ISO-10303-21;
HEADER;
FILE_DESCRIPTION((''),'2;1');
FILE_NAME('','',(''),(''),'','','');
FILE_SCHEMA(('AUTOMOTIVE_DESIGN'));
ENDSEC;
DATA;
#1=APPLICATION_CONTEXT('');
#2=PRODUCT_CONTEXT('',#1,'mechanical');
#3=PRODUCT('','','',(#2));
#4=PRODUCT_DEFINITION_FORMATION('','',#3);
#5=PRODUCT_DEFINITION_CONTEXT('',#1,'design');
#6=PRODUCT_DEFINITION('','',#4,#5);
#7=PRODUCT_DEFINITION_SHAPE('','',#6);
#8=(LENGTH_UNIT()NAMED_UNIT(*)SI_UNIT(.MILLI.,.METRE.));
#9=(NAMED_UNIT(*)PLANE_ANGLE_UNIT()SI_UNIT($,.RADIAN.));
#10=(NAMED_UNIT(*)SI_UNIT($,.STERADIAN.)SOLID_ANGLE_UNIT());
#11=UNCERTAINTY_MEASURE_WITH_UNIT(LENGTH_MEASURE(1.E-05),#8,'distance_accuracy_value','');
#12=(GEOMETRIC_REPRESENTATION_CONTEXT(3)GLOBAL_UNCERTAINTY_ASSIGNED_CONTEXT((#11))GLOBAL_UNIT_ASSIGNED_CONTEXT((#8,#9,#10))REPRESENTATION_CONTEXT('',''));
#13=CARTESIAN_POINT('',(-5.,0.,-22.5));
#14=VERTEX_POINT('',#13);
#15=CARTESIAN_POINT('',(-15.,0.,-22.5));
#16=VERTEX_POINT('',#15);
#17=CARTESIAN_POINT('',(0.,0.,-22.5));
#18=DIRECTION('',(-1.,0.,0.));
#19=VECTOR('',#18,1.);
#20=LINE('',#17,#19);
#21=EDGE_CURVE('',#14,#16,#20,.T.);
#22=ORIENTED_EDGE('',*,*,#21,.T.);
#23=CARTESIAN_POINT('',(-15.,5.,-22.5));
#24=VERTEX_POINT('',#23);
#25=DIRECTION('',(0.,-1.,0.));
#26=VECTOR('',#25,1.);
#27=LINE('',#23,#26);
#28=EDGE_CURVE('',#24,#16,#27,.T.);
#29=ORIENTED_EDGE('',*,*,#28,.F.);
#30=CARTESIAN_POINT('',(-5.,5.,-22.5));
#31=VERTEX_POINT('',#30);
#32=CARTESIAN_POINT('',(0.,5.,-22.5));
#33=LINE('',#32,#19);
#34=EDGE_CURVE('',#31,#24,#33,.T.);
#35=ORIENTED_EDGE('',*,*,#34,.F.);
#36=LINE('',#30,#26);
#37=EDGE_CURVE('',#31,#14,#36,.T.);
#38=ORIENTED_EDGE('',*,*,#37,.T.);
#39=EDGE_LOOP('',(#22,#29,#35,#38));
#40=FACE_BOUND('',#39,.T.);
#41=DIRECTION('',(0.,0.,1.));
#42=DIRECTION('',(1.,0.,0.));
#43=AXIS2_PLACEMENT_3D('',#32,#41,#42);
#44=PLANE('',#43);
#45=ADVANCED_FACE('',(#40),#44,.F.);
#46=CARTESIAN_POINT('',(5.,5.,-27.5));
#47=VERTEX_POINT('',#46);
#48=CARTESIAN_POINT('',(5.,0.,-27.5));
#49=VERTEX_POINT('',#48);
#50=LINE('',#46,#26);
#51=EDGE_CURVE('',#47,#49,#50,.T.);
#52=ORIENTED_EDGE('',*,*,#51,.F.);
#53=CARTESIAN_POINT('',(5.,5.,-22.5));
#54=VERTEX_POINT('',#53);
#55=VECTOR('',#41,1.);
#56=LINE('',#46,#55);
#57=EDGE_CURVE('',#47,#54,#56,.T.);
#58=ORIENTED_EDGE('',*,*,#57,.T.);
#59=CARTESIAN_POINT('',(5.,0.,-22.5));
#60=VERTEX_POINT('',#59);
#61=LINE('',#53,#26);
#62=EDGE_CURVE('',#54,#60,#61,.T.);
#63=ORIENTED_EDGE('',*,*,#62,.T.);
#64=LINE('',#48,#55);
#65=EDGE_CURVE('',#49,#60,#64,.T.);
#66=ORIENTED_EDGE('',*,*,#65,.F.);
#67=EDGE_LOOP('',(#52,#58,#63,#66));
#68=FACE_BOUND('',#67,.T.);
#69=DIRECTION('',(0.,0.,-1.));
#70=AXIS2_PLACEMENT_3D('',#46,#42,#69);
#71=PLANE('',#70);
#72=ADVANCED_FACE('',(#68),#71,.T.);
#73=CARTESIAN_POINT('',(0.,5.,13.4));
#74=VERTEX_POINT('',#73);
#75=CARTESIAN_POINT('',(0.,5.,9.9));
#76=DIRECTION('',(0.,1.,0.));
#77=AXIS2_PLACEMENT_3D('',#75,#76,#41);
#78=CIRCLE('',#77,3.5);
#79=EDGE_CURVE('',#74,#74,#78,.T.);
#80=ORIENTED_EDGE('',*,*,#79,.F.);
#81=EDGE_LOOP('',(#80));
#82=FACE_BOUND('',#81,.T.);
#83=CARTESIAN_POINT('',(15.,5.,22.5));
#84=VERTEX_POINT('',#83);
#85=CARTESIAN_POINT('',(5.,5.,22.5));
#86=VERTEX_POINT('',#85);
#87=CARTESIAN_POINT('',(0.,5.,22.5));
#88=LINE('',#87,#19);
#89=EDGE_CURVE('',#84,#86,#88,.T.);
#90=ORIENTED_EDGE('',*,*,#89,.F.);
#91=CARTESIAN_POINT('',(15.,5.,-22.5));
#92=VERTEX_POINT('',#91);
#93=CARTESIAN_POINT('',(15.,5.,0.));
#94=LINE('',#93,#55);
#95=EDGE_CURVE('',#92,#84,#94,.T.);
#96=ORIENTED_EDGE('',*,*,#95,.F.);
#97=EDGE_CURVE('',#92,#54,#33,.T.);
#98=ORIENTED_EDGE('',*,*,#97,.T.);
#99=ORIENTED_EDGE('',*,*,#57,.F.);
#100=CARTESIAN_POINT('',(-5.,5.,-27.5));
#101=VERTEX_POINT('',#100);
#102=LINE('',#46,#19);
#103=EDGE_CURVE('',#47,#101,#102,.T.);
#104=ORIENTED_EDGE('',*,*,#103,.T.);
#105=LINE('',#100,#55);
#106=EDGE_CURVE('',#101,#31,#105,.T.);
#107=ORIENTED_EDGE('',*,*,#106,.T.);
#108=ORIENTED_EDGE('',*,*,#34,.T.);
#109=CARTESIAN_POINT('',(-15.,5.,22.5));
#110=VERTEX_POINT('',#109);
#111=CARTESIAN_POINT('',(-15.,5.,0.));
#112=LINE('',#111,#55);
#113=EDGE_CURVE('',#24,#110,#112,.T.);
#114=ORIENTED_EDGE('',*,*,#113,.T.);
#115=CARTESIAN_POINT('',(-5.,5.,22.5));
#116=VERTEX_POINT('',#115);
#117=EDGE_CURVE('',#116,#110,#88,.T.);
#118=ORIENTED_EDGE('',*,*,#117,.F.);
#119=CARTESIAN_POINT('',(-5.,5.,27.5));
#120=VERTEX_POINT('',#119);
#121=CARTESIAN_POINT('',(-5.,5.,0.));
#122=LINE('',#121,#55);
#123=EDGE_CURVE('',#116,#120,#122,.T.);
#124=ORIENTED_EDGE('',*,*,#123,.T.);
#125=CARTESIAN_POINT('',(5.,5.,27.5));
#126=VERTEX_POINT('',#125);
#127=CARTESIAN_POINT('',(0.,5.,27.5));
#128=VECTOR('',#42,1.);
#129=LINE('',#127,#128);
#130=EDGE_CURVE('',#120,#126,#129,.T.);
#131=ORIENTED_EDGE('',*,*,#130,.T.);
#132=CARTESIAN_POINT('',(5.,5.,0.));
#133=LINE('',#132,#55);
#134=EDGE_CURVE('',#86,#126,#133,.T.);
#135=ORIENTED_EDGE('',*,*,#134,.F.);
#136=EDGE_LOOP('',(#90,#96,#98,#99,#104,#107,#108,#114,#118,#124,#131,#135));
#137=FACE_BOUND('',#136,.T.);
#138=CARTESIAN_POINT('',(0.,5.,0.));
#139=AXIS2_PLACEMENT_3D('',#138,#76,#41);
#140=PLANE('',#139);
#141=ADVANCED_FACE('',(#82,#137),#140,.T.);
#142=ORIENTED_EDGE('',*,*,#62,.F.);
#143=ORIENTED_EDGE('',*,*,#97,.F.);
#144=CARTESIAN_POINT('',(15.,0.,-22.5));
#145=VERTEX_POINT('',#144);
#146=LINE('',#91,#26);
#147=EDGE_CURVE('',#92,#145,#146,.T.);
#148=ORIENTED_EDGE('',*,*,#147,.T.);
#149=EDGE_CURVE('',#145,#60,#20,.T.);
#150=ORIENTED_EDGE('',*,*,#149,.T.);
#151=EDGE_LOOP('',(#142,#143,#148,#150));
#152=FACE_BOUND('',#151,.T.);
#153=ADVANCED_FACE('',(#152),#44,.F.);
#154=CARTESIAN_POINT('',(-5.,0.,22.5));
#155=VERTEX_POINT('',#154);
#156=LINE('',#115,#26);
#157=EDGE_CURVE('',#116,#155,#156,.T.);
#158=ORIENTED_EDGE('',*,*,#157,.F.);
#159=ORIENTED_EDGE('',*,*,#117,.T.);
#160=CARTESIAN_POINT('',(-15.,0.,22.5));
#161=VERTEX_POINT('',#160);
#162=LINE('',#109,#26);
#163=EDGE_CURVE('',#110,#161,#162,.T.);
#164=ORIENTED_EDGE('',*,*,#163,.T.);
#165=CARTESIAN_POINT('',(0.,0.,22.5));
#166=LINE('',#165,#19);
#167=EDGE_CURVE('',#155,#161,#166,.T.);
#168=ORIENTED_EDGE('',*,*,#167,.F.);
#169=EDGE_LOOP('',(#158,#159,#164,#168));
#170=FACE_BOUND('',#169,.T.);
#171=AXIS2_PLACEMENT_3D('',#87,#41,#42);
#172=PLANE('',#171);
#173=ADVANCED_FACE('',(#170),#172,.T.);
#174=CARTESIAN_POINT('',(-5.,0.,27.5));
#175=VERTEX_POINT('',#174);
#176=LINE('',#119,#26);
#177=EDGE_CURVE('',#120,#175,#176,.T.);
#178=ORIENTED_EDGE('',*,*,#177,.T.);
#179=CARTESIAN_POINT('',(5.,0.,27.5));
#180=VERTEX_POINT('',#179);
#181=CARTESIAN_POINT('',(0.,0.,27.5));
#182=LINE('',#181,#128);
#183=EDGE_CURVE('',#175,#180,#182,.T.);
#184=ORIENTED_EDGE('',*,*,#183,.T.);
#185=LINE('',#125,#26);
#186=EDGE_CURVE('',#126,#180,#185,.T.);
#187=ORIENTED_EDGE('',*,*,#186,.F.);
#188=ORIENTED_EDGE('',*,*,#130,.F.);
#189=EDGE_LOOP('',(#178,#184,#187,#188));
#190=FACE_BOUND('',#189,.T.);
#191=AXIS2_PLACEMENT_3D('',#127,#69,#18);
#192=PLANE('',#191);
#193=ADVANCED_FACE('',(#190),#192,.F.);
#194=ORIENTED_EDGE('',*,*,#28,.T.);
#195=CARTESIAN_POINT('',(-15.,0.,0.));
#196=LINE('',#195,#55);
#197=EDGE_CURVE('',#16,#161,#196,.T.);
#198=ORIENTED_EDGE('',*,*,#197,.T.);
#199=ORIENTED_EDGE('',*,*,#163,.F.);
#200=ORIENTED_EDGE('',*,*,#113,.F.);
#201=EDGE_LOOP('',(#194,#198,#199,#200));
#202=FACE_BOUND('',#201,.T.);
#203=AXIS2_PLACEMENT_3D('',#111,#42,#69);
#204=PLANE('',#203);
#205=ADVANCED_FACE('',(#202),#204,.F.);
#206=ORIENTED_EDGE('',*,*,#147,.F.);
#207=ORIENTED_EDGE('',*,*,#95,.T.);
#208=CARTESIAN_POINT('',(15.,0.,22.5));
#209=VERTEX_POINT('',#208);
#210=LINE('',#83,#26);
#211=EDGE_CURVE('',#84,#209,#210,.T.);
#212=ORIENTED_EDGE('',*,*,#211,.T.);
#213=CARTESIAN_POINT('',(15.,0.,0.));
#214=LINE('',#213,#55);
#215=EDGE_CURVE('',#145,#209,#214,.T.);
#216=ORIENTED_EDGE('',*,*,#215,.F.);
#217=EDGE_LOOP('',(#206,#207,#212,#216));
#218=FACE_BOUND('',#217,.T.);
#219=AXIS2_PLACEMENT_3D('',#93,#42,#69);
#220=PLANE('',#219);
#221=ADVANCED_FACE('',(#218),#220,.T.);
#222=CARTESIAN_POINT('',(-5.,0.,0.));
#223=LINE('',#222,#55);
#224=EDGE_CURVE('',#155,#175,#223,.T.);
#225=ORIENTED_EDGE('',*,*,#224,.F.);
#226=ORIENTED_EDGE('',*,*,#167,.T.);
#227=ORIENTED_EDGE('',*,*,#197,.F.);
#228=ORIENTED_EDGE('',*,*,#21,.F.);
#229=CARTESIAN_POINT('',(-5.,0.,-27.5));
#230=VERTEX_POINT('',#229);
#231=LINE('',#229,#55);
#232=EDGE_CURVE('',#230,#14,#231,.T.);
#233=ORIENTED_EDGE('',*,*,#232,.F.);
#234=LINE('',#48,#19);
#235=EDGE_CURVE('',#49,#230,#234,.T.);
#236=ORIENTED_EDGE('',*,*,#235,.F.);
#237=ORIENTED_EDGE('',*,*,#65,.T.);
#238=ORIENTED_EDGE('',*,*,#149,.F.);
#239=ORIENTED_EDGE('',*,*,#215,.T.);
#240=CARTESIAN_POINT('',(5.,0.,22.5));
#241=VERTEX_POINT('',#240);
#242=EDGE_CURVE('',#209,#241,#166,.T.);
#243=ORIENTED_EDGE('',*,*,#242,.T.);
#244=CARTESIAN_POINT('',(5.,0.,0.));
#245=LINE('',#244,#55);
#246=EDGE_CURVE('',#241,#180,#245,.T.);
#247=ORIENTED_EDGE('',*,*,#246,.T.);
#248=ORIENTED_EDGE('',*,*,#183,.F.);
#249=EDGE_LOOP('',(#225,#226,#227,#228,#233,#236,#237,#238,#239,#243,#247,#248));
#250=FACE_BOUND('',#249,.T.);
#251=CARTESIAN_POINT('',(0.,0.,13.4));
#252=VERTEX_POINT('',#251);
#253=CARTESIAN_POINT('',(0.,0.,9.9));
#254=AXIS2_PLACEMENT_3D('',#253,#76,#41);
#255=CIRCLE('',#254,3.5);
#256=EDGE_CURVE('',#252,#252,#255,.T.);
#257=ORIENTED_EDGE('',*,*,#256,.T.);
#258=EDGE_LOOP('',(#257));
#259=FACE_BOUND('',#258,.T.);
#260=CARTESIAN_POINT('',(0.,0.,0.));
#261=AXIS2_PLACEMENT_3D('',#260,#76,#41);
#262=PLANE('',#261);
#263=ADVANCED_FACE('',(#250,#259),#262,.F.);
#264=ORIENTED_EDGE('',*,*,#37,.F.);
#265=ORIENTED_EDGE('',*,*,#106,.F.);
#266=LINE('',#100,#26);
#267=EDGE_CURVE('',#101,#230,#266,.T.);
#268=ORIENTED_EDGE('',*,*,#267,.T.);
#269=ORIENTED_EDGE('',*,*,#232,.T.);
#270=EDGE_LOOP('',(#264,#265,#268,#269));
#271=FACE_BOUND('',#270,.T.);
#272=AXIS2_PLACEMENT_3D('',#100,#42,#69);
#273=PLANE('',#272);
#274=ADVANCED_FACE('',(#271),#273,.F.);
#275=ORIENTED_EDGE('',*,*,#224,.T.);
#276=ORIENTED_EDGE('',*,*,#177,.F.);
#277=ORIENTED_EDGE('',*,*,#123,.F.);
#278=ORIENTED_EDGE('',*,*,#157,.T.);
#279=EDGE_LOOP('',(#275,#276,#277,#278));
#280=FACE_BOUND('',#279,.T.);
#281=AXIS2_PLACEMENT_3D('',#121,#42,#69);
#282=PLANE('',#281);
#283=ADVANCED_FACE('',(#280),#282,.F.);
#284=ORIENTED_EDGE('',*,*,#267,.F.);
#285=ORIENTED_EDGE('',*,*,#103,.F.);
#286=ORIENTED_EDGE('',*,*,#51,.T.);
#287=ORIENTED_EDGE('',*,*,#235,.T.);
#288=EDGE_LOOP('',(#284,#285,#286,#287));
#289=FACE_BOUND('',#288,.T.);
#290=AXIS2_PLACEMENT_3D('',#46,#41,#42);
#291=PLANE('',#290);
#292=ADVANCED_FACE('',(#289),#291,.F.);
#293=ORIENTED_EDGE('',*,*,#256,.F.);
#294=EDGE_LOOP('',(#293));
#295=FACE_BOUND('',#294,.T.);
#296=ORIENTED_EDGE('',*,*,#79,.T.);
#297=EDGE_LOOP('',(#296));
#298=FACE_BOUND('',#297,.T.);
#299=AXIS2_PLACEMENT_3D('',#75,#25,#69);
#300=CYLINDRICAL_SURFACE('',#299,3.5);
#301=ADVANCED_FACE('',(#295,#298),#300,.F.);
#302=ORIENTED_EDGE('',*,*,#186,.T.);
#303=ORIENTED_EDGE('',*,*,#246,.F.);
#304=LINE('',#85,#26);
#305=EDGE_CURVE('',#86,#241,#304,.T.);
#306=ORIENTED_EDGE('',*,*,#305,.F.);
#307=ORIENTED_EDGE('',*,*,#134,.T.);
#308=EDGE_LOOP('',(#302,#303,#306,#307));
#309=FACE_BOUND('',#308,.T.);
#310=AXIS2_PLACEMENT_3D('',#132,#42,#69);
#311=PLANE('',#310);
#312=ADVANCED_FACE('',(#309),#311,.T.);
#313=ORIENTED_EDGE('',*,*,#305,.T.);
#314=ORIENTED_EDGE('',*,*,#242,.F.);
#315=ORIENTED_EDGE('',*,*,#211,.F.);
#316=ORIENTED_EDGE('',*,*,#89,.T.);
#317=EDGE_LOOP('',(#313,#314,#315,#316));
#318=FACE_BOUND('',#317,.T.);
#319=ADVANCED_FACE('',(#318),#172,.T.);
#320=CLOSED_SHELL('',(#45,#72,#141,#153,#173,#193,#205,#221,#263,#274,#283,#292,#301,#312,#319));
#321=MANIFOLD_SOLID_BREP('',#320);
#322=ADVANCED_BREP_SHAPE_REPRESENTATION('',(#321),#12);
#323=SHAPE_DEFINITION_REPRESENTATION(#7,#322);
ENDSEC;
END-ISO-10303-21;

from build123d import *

# Parameters (mm, degrees)
SKETCH1_R           = 3.5
SKETCH1_W           = 10
SKETCH1_H           = 5
BOSS_EXTRUDE1_DEPTH = 5


with BuildPart() as part:
    # Sketch1 → Boss-Extrude1 (new body)
    # profile 1 of 3: a face of its own
    with BuildSketch(Plane(origin=(0, 0, 0), x_dir=(1, 0, 0), z_dir=(0, 1, 0))):
        Polygon((15, -22.5), (15, 22.5), (5, 22.5), (-5, 22.5), (-15, 22.5), (-15, -22.5), (-5, -22.5), (5, -22.5), align=None)
        with Locations(Location((0, -9.9, 0), (0, 0, 270))):
            Circle(SKETCH1_R, mode=Mode.SUBTRACT)
    # profile 2 of 3: a face of its own
    with BuildSketch(Plane(origin=(0, 0, 0), x_dir=(1, 0, 0), z_dir=(0, 1, 0))):
        with Locations((0, -25)):
            Rectangle(SKETCH1_W, SKETCH1_H)
    # profile 3 of 3: a face of its own
    with BuildSketch(Plane(origin=(0, 0, 0), x_dir=(1, 0, 0), z_dir=(0, 1, 0))):
        with Locations((0, 25)):
            Rectangle(SKETCH1_W, SKETCH1_H)
    extrude(amount=BOSS_EXTRUDE1_DEPTH)


solid = part.part
